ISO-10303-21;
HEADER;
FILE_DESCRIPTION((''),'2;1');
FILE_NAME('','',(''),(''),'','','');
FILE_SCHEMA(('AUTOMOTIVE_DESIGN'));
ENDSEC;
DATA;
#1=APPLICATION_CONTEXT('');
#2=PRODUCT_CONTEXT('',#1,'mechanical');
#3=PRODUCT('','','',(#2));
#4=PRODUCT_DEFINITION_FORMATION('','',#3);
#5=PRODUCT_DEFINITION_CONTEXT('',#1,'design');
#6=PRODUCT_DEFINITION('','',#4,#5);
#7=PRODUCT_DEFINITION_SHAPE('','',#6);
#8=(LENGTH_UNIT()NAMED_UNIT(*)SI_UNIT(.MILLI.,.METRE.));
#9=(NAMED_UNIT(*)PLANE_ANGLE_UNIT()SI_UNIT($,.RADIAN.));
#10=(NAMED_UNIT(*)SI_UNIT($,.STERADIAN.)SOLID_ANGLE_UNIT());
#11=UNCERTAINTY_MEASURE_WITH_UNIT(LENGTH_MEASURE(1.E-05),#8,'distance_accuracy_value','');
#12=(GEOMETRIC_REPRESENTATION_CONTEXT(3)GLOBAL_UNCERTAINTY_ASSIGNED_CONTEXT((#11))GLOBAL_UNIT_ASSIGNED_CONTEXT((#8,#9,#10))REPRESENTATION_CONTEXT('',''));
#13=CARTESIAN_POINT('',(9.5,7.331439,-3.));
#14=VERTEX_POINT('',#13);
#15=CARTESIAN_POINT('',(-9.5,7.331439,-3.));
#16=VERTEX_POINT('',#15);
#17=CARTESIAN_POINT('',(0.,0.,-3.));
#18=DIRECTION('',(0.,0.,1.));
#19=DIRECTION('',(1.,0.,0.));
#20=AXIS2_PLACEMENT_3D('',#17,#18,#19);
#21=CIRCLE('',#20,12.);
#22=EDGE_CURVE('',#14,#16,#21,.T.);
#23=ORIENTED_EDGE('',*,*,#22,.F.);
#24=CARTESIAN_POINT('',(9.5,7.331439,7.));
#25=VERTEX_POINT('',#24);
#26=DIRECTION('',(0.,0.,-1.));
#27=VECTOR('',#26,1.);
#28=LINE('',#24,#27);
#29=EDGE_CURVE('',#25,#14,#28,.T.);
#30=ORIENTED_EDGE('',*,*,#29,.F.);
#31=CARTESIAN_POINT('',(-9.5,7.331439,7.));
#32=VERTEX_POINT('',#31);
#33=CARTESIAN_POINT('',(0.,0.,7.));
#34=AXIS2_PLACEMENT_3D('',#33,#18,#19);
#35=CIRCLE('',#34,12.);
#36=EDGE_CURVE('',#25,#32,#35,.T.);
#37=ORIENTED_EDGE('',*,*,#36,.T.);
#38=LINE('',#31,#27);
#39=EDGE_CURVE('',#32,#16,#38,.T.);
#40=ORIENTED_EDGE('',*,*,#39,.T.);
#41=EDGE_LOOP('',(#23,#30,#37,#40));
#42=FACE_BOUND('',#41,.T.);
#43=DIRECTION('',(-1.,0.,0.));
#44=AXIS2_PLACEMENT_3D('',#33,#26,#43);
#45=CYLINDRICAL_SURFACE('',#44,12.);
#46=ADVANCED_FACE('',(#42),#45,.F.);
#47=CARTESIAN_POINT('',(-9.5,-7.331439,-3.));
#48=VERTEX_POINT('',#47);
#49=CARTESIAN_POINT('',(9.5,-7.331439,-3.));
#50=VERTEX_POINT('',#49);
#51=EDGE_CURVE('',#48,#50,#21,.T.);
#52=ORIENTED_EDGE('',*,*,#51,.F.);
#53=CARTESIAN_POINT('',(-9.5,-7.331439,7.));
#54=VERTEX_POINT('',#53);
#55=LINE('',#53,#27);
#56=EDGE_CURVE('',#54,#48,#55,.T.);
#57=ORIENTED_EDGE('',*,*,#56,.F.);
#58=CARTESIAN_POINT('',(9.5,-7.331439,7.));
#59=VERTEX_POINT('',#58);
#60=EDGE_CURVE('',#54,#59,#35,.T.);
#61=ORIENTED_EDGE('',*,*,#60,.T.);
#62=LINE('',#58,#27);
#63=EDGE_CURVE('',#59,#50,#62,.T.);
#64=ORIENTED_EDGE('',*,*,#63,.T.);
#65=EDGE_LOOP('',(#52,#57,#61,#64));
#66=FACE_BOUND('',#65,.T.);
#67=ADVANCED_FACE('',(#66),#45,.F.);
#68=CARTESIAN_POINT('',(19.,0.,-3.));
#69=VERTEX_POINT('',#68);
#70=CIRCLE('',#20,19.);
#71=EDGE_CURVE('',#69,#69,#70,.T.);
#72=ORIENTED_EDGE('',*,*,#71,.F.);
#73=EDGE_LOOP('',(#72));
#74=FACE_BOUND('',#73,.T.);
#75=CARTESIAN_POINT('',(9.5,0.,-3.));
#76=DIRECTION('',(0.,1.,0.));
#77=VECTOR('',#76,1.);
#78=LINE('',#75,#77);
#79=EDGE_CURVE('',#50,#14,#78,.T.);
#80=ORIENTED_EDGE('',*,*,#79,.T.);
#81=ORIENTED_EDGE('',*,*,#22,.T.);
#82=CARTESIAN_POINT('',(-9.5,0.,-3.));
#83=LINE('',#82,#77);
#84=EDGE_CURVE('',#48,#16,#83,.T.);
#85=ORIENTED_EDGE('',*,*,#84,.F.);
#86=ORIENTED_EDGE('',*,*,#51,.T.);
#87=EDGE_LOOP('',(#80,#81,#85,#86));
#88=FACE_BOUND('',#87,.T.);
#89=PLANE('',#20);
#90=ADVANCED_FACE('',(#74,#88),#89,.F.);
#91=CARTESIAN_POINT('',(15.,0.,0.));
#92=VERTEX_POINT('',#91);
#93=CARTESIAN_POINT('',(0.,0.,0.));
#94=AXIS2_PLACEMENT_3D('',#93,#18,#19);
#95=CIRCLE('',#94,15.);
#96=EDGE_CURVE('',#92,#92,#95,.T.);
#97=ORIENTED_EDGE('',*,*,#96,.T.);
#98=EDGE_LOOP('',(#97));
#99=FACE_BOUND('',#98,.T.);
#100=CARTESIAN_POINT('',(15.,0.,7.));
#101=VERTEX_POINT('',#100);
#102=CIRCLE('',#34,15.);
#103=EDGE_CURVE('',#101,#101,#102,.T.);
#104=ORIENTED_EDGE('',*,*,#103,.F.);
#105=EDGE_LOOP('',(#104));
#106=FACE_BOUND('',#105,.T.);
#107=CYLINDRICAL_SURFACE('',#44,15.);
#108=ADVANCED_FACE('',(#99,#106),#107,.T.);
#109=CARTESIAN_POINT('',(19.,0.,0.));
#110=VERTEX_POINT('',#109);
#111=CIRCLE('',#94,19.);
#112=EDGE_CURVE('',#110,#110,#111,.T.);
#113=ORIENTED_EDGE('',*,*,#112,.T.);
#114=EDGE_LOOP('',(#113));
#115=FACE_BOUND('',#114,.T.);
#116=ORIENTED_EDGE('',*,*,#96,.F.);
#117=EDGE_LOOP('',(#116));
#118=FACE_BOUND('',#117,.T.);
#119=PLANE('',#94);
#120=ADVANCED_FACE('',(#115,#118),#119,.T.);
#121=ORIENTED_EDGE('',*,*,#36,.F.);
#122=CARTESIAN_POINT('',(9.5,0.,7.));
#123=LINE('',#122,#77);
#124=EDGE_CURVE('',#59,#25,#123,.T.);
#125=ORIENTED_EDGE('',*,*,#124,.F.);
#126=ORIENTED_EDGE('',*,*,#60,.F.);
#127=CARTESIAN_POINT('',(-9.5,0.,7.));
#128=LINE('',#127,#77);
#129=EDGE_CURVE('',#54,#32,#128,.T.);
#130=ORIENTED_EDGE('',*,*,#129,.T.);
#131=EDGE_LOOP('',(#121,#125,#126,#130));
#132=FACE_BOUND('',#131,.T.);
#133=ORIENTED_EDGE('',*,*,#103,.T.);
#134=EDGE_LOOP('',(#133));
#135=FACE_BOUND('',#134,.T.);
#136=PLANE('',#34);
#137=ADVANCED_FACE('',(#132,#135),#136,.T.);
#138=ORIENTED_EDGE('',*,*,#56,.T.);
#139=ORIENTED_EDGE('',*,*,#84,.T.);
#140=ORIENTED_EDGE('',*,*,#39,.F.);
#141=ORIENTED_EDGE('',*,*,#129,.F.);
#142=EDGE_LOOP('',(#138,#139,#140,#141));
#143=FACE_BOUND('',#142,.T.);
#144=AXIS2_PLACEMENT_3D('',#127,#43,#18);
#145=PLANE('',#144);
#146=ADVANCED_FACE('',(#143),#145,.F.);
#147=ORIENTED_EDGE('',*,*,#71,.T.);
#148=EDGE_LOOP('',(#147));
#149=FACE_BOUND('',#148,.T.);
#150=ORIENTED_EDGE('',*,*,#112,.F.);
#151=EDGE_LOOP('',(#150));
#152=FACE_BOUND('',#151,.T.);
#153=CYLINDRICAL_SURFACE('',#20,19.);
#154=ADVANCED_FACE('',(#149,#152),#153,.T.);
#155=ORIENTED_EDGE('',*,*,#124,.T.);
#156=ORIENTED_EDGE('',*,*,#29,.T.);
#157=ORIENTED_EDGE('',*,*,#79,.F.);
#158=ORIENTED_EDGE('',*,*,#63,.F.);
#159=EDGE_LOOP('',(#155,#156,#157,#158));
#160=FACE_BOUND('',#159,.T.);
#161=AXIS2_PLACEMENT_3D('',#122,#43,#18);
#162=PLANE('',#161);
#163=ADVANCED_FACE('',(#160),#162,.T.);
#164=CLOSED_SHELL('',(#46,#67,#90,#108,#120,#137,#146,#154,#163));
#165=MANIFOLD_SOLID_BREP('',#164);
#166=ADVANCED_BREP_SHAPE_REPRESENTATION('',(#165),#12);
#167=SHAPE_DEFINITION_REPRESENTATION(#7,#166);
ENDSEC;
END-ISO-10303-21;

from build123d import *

# Parameters (mm, degrees)
ESQUISSE1_R        = 15
BOSS_EXTRU_1_DEPTH = 7
BOSS_EXTRU_2_START = -3
ESQUISSE1_4_R      = 19
BOSS_EXTRU_2_DEPTH = 3


with BuildPart() as part:
    # Esquisse1 → Boss.-Extru.1 (new body)
    with BuildSketch(Plane.XY):
        Circle(ESQUISSE1_R)
        with BuildLine():
            Line((9.5, 7.331439149), (9.5, -7.331439149))
            ThreePointArc((9.5, -7.331439149), (0, -12), (-9.5, -7.331439149))
            Line((-9.5, -7.331439149), (-9.5, 7.331439149))
            ThreePointArc((-9.5, 7.331439149), (0, 12), (9.5, 7.331439149))
        make_face(mode=Mode.SUBTRACT)
    extrude(amount=BOSS_EXTRU_1_DEPTH)

    # Esquisse1<4> → Boss.-Extru.2 (add)
    with BuildSketch(Plane.XY.offset(BOSS_EXTRU_2_START)):
        Circle(ESQUISSE1_4_R)
        with BuildLine():
            Line((9.5, 7.331439149), (9.5, -7.331439149))
            ThreePointArc((9.5, -7.331439149), (0, -12), (-9.5, -7.331439149))
            Line((-9.5, -7.331439149), (-9.5, 7.331439149))
            ThreePointArc((-9.5, 7.331439149), (0, 12), (9.5, 7.331439149))
        make_face(mode=Mode.SUBTRACT)
    extrude(amount=BOSS_EXTRU_2_DEPTH)


solid = part.part
